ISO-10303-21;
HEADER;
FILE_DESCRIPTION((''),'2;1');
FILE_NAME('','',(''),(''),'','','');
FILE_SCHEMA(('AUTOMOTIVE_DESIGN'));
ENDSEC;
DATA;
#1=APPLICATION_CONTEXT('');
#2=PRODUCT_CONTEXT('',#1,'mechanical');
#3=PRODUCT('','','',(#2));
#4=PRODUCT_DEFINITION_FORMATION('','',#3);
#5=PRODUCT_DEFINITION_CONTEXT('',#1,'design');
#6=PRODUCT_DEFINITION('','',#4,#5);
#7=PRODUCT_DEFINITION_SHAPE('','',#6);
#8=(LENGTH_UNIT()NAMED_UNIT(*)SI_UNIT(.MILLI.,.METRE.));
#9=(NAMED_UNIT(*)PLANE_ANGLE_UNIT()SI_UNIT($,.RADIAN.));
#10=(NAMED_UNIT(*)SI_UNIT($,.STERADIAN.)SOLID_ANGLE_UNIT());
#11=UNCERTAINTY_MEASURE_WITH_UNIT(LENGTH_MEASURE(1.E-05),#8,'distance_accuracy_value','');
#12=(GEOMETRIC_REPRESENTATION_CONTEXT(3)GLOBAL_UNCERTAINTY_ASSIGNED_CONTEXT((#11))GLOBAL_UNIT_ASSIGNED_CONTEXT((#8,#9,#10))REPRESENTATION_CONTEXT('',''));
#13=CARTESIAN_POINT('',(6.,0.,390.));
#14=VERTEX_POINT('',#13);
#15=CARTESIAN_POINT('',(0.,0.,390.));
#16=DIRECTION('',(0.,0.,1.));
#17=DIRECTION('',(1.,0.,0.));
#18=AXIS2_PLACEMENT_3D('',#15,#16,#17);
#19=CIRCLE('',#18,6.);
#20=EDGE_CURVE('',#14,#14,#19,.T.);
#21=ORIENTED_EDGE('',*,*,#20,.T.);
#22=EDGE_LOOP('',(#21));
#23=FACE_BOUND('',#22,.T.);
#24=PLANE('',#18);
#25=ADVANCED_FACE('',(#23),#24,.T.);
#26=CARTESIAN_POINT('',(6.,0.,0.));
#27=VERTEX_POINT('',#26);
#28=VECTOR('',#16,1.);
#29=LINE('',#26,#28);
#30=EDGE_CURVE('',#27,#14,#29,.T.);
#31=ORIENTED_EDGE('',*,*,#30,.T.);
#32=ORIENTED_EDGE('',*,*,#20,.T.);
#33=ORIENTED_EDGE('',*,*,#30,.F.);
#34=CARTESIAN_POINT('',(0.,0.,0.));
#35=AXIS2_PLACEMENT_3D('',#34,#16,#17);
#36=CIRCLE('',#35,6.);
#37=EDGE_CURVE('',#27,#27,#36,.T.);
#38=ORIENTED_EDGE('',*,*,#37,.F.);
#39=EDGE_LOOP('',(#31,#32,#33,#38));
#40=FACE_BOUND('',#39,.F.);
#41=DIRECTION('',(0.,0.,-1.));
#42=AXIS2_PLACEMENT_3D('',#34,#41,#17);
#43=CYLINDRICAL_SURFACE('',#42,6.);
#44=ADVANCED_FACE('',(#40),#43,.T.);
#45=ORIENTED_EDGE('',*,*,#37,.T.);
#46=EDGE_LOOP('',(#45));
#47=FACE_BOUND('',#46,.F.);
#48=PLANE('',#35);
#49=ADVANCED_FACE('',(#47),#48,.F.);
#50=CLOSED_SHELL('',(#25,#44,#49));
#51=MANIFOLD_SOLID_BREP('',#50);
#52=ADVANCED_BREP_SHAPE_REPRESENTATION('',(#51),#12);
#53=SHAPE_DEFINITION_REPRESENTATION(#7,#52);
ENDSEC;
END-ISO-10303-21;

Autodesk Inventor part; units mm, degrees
ref_plane "YZ Plane" through (0, 0, 0) normal (1, 0, 0) x (0, 1, 0)
ref_plane "XZ Plane" through (0, 0, 0) normal (0, 1, 0) x (-1, 0, 0)
ref_plane "XY Plane" through (0, 0, 0) normal (0, 0, 1) x (1, 0, 0)
sketch "Sketch1" plane through (0, 0, 0) normal (0, 0, 1) x (1, 0, 0)
  circle A0 centre (0, 0) radius 6
  dimension "d0" = 12
extrude "Extrusion1" add sketch "Sketch1" along normal blind 390
properties part number "Truc phi 12 dai 390"
